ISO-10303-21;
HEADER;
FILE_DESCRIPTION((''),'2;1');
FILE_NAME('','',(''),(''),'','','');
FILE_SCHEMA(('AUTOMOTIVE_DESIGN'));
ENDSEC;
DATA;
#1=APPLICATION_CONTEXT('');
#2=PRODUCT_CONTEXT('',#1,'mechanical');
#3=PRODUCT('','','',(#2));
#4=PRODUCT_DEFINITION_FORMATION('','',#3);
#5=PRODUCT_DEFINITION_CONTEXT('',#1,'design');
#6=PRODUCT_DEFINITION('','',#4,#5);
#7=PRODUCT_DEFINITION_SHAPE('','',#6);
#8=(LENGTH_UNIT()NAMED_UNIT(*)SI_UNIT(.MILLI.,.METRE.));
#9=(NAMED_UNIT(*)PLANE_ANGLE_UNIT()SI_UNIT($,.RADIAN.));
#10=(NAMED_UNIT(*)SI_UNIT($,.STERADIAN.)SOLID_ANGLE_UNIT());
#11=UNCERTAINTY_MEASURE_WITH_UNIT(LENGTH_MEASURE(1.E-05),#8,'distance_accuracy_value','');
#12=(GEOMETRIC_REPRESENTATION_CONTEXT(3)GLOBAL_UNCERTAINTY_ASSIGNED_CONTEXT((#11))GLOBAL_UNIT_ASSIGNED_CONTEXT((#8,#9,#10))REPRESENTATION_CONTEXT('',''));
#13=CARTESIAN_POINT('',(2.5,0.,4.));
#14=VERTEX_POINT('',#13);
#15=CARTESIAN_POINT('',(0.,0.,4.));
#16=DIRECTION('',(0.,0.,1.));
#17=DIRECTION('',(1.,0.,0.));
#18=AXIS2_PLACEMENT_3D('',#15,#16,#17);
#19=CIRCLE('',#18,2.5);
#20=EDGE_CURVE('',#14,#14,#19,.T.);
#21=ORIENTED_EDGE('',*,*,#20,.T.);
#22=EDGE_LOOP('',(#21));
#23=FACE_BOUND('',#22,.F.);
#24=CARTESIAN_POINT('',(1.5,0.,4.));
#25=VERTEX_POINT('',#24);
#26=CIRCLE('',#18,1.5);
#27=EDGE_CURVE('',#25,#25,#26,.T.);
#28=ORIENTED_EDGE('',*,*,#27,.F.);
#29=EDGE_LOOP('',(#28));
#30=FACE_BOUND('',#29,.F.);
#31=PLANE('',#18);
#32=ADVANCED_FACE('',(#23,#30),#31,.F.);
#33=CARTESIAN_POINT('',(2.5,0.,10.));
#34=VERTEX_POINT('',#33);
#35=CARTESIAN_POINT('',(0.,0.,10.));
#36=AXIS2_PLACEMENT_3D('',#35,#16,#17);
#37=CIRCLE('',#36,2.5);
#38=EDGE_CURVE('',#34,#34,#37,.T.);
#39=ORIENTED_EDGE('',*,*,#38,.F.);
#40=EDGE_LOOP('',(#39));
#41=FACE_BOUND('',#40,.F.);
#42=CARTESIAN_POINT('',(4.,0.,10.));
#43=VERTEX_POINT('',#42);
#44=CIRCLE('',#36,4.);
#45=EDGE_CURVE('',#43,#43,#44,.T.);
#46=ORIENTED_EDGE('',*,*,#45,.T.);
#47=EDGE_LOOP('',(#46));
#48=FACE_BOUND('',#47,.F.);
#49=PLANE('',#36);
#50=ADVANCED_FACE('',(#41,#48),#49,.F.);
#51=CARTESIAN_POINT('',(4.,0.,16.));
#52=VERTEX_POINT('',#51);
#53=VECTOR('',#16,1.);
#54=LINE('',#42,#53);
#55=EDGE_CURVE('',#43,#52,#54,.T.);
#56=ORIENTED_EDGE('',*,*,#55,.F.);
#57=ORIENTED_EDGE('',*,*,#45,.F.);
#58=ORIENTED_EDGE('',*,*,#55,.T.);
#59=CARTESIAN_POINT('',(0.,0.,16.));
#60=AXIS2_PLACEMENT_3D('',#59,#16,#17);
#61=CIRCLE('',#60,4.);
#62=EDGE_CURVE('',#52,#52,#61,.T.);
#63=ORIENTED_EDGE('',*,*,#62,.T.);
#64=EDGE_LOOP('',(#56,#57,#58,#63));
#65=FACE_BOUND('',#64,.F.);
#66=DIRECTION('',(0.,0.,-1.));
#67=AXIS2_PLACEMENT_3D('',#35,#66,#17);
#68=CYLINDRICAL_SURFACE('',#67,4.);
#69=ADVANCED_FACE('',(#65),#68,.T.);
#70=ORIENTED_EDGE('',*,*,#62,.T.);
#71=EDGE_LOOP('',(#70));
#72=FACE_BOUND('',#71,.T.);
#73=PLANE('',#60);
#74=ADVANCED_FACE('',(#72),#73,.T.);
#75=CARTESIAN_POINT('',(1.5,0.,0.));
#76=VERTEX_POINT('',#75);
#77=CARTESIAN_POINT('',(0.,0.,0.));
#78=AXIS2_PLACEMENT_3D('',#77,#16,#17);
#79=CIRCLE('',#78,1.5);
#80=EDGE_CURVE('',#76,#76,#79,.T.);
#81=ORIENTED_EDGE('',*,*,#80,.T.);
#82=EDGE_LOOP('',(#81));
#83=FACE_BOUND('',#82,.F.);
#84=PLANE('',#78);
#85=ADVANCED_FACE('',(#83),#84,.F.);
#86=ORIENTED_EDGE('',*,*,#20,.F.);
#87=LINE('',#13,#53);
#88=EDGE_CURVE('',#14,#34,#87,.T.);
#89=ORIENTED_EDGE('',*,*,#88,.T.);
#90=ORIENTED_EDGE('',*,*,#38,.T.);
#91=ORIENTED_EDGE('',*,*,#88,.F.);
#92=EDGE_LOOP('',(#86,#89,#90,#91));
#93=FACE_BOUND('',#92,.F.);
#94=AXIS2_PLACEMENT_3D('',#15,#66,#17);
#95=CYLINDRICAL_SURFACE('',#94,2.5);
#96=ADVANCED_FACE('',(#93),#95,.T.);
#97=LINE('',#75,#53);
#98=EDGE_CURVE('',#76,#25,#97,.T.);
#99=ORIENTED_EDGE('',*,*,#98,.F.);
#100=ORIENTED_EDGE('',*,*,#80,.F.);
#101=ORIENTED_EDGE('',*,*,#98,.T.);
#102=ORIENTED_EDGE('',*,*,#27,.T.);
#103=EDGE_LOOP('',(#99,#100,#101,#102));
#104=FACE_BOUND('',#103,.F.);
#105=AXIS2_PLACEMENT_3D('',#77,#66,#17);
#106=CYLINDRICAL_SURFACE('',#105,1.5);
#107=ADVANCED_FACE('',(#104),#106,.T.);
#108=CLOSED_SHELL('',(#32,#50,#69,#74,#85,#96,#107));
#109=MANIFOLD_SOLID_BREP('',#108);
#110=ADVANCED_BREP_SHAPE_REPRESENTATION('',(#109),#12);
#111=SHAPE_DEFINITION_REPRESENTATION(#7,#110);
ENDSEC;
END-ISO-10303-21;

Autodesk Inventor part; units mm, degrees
ref_plane "YZ Plane" through (0, 0, 0) normal (1, 0, 0) x (0, 1, 0)
ref_plane "XZ Plane" through (0, 0, 0) normal (0, 1, 0) x (-1, 0, 0)
ref_plane "XY Plane" through (0, 0, 0) normal (0, 0, 1) x (1, 0, 0)
sketch "Sketch1" plane through (0, 0, 0) normal (0, 0, 1) x (1, 0, 0)
  circle A0 centre (0, 0) radius 1.5
  dimension "d0" = 3
extrude "Extrusion1" add sketch "Sketch1" along normal blind 4
sketch "Sketch2" plane through (0, 0, 4) normal (0, 0, 1) x (1, 0, 0)
  circle A0 centre (0, 0) radius 1.5 projected
  circle A1 centre (0, 0) radius 2.5
  dimension "d4" = 5
extrude "Extrusion2" add sketch "Sketch2" along normal blind 6 contours A0 | A1
thread "Thread1" size "M5x0.8" class "6g" standard "ANSI Metric M Profile" full length
sketch "Sketch3" plane through (0, 0, 10) normal (0, 0, 1) x (1, 0, 0)
  circle A0 centre (0, 0) radius 2.5 projected
  circle A1 centre (0, 0) radius 4
  dimension "d10" = 8
extrude "Extrusion3" add sketch "Sketch3" along normal blind 6 contours A0 | A1
properties part number "5mm Screw"
